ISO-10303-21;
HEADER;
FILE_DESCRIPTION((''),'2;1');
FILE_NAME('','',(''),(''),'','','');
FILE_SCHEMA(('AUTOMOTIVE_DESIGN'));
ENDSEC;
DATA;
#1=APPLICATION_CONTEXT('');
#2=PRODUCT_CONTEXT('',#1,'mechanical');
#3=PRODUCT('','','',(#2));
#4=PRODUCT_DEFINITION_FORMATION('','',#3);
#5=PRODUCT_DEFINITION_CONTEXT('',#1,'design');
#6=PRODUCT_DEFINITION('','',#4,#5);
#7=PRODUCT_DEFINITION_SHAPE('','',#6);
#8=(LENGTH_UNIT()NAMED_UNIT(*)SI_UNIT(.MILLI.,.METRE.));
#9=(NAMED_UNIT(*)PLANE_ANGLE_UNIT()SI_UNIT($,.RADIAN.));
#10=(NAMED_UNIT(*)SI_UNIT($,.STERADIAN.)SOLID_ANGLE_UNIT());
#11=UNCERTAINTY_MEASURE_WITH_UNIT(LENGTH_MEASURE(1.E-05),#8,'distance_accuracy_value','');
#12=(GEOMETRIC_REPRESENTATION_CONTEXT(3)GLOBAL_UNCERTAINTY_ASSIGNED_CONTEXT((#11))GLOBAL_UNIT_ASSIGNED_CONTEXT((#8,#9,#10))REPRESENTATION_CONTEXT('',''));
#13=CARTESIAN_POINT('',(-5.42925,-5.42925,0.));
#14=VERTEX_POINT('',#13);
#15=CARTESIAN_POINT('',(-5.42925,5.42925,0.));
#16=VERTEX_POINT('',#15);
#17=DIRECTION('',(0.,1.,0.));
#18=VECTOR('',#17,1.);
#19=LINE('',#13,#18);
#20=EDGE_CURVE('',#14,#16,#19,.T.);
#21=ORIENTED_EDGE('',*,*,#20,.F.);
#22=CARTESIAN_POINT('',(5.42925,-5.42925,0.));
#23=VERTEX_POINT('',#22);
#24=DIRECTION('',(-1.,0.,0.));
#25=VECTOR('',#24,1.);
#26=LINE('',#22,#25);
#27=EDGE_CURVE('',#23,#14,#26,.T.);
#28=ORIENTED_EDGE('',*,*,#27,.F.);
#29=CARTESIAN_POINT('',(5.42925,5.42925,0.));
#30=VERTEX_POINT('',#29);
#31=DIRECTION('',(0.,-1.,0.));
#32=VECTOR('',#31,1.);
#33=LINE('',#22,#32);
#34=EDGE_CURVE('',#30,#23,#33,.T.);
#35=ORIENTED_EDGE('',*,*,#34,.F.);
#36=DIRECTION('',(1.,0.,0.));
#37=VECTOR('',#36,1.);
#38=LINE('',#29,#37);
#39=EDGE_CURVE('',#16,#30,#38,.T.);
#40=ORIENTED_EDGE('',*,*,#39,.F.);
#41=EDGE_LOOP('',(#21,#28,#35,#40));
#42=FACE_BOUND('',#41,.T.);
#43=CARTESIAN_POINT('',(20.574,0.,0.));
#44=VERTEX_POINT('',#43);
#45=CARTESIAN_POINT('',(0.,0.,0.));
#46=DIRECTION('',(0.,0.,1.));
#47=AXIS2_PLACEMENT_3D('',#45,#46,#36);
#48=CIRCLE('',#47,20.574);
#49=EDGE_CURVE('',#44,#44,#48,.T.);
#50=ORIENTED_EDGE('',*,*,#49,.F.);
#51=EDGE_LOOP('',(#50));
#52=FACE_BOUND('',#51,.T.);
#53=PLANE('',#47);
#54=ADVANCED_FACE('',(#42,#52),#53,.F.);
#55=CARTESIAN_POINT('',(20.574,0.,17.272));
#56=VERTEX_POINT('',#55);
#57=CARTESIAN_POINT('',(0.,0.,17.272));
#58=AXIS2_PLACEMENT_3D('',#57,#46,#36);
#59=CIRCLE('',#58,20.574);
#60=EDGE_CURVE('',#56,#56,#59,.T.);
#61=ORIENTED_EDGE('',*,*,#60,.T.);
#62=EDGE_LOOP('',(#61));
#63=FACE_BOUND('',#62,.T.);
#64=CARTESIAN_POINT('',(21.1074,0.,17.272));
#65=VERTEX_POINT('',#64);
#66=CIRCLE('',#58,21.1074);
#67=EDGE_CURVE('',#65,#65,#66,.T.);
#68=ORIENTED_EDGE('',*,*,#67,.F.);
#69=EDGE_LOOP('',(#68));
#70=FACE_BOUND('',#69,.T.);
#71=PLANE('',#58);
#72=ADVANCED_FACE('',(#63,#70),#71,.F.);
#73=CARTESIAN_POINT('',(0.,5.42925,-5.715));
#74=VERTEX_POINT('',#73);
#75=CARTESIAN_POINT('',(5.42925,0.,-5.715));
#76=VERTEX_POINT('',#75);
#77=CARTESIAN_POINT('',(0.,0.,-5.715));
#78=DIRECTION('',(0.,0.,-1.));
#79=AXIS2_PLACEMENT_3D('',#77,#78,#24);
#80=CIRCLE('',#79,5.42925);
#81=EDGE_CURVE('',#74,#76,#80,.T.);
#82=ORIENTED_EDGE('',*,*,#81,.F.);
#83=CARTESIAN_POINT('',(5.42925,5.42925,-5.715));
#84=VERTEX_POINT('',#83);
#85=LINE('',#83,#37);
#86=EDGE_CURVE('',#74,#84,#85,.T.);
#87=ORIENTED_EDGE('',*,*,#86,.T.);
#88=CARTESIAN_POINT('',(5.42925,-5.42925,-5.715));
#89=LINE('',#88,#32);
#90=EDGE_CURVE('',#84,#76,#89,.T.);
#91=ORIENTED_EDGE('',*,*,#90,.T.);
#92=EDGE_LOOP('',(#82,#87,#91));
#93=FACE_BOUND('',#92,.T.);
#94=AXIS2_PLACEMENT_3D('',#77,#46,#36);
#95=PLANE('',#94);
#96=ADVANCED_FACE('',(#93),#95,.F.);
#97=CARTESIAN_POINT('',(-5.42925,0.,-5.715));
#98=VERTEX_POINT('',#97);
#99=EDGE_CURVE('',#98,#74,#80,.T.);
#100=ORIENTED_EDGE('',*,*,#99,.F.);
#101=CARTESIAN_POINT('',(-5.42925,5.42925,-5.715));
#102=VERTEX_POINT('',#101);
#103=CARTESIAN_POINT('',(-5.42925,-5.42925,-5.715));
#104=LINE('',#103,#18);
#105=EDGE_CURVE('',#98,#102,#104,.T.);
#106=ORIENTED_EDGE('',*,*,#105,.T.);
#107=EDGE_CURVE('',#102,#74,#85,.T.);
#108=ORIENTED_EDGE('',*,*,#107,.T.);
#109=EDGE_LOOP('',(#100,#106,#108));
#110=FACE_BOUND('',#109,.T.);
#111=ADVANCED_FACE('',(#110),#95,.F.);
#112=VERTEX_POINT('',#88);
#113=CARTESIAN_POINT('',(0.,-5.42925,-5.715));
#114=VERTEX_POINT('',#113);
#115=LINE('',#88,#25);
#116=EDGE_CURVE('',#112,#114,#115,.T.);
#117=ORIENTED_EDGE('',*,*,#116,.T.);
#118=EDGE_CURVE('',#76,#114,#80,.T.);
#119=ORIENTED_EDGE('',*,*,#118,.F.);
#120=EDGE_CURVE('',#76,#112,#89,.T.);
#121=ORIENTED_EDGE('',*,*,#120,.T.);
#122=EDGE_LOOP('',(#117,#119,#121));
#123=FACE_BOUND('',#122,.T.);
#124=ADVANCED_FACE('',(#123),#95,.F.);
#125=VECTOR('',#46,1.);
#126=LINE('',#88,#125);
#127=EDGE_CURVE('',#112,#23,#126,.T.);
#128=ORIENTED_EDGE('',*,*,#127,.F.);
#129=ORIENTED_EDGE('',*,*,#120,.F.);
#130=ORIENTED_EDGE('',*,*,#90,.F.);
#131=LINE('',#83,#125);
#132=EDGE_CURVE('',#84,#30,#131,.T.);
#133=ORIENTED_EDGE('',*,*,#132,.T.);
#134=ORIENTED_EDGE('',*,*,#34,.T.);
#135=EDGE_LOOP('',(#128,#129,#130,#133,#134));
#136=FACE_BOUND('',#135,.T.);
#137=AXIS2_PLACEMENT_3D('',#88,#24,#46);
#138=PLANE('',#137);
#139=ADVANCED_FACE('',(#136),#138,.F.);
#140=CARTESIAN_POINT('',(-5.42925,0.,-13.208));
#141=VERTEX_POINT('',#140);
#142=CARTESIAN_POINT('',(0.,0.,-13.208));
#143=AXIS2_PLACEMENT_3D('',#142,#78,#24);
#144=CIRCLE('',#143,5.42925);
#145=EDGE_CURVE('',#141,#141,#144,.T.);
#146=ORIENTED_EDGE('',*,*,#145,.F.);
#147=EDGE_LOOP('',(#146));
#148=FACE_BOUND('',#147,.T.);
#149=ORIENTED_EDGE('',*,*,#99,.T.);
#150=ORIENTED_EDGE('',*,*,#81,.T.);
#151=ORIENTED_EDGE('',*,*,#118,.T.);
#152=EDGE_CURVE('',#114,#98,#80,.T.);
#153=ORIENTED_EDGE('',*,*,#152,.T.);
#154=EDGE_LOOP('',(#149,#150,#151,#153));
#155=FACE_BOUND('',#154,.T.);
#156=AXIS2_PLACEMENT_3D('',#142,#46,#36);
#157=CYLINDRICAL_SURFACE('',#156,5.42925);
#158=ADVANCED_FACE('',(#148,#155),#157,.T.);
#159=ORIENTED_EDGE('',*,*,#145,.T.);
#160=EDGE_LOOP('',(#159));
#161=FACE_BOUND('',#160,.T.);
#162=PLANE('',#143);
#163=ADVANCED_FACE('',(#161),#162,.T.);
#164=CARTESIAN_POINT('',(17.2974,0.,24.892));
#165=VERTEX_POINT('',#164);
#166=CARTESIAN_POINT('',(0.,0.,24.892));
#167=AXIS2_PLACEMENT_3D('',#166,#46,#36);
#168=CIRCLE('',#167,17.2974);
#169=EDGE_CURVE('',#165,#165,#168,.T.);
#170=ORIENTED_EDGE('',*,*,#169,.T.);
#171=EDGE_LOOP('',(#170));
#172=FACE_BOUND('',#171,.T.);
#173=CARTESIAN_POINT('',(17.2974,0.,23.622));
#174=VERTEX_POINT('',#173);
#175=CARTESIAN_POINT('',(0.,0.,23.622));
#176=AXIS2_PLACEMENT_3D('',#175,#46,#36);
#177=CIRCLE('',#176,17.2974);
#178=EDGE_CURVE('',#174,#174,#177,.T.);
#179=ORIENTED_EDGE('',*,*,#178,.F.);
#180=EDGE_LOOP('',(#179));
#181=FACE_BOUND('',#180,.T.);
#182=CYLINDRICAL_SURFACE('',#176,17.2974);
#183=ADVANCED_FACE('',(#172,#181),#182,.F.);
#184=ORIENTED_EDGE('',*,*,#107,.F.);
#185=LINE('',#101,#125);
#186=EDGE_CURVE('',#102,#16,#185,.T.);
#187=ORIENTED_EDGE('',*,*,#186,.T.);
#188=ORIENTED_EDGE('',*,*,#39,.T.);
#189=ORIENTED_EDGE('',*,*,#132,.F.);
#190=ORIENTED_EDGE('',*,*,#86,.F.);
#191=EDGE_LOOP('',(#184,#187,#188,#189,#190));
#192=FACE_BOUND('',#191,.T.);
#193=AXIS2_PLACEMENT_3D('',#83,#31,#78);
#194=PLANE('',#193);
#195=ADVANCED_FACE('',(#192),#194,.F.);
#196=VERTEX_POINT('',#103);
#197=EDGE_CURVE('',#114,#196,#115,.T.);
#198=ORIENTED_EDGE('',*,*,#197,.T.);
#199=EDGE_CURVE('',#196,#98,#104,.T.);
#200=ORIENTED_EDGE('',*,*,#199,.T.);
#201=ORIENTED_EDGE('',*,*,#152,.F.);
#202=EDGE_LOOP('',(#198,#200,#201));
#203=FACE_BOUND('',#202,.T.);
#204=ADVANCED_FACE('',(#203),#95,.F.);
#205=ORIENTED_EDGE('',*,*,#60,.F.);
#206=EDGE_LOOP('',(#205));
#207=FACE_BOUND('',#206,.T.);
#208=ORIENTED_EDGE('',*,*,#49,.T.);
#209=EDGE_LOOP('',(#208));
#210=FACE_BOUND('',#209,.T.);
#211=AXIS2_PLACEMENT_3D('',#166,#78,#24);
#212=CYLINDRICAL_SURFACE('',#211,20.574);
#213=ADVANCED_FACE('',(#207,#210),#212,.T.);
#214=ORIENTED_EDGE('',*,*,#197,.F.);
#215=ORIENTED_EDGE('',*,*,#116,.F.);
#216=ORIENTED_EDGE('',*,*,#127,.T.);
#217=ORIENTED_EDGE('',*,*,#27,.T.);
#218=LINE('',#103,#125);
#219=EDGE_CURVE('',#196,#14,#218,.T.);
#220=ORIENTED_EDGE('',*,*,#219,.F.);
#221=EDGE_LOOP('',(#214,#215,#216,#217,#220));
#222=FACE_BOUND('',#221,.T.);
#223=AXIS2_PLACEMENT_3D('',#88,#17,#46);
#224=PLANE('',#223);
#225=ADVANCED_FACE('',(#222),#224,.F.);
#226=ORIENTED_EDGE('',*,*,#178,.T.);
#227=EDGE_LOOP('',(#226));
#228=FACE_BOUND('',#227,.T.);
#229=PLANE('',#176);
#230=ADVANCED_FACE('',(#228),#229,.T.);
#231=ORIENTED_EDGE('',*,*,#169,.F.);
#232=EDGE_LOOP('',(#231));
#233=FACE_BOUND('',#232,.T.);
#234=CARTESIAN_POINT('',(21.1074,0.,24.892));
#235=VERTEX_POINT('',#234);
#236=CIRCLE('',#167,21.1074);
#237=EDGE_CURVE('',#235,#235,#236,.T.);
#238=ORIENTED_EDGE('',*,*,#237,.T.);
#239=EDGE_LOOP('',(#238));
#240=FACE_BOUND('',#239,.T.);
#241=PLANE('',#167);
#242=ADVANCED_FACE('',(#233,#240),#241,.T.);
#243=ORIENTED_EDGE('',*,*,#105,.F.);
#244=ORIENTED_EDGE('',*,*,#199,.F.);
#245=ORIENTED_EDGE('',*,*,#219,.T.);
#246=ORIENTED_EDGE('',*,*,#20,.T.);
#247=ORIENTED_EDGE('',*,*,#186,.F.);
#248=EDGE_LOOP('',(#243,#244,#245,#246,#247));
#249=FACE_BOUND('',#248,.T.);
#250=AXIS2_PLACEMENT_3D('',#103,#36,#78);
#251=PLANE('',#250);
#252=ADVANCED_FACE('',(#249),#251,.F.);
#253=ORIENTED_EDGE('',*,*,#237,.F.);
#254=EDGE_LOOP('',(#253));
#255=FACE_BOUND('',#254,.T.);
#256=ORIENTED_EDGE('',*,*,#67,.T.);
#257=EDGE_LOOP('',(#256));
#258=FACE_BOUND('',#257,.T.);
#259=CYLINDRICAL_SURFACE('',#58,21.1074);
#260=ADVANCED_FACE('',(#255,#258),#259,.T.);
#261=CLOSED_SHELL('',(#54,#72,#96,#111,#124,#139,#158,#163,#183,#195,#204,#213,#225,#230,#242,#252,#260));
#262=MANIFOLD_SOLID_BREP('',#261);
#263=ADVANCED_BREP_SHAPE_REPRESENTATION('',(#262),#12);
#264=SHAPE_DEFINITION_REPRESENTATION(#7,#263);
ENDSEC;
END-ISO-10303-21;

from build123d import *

# Parameters (mm, degrees)
SKETCH1_R           = 20.574
BOSS_EXTRUDE1_DEPTH = 24.892
SKETCH2_R           = 21.1074
BOSS_EXTRUDE2_DEPTH = 7.62
SKETCH3_R           = 17.2974
CUT_EXTRUDE1_DEPTH  = 1.27
SKETCH4_W           = 10.8585
SKETCH4_H           = 10.8585
BOSS_EXTRUDE3_DEPTH = 5.715
SKETCH5_R           = 5.42925
BOSS_EXTRUDE4_DEPTH = 7.493


with BuildPart() as part:
    # Sketch1 → Boss-Extrude1 (new body)
    with BuildSketch(Plane.XY):
        Circle(SKETCH1_R)
    extrude(amount=BOSS_EXTRUDE1_DEPTH)

    # Sketch2 → Boss-Extrude2 (add)
    with BuildSketch(Plane.XY.offset(24.892)):
        Circle(SKETCH2_R)
    extrude(amount=-BOSS_EXTRUDE2_DEPTH)

    # Sketch3 → Cut-Extrude1 (cut)
    with BuildSketch(Plane.XY.offset(24.892)):
        Circle(SKETCH3_R)
    extrude(amount=-CUT_EXTRUDE1_DEPTH, mode=Mode.SUBTRACT)

    # Sketch4 → Boss-Extrude3 (add)
    with BuildSketch(Plane(origin=(0, 0, 0), x_dir=(-1, 0, 0), z_dir=(0, 0, -1))):
        Rectangle(SKETCH4_W, SKETCH4_H)
    extrude(amount=BOSS_EXTRUDE3_DEPTH)

    # Sketch5 → Boss-Extrude4 (add)
    with BuildSketch(Plane(origin=(0, 0, -5.715), x_dir=(-1, 0, 0), z_dir=(0, 0, -1))):
        Circle(SKETCH5_R)
    extrude(amount=BOSS_EXTRUDE4_DEPTH)


solid = part.part
